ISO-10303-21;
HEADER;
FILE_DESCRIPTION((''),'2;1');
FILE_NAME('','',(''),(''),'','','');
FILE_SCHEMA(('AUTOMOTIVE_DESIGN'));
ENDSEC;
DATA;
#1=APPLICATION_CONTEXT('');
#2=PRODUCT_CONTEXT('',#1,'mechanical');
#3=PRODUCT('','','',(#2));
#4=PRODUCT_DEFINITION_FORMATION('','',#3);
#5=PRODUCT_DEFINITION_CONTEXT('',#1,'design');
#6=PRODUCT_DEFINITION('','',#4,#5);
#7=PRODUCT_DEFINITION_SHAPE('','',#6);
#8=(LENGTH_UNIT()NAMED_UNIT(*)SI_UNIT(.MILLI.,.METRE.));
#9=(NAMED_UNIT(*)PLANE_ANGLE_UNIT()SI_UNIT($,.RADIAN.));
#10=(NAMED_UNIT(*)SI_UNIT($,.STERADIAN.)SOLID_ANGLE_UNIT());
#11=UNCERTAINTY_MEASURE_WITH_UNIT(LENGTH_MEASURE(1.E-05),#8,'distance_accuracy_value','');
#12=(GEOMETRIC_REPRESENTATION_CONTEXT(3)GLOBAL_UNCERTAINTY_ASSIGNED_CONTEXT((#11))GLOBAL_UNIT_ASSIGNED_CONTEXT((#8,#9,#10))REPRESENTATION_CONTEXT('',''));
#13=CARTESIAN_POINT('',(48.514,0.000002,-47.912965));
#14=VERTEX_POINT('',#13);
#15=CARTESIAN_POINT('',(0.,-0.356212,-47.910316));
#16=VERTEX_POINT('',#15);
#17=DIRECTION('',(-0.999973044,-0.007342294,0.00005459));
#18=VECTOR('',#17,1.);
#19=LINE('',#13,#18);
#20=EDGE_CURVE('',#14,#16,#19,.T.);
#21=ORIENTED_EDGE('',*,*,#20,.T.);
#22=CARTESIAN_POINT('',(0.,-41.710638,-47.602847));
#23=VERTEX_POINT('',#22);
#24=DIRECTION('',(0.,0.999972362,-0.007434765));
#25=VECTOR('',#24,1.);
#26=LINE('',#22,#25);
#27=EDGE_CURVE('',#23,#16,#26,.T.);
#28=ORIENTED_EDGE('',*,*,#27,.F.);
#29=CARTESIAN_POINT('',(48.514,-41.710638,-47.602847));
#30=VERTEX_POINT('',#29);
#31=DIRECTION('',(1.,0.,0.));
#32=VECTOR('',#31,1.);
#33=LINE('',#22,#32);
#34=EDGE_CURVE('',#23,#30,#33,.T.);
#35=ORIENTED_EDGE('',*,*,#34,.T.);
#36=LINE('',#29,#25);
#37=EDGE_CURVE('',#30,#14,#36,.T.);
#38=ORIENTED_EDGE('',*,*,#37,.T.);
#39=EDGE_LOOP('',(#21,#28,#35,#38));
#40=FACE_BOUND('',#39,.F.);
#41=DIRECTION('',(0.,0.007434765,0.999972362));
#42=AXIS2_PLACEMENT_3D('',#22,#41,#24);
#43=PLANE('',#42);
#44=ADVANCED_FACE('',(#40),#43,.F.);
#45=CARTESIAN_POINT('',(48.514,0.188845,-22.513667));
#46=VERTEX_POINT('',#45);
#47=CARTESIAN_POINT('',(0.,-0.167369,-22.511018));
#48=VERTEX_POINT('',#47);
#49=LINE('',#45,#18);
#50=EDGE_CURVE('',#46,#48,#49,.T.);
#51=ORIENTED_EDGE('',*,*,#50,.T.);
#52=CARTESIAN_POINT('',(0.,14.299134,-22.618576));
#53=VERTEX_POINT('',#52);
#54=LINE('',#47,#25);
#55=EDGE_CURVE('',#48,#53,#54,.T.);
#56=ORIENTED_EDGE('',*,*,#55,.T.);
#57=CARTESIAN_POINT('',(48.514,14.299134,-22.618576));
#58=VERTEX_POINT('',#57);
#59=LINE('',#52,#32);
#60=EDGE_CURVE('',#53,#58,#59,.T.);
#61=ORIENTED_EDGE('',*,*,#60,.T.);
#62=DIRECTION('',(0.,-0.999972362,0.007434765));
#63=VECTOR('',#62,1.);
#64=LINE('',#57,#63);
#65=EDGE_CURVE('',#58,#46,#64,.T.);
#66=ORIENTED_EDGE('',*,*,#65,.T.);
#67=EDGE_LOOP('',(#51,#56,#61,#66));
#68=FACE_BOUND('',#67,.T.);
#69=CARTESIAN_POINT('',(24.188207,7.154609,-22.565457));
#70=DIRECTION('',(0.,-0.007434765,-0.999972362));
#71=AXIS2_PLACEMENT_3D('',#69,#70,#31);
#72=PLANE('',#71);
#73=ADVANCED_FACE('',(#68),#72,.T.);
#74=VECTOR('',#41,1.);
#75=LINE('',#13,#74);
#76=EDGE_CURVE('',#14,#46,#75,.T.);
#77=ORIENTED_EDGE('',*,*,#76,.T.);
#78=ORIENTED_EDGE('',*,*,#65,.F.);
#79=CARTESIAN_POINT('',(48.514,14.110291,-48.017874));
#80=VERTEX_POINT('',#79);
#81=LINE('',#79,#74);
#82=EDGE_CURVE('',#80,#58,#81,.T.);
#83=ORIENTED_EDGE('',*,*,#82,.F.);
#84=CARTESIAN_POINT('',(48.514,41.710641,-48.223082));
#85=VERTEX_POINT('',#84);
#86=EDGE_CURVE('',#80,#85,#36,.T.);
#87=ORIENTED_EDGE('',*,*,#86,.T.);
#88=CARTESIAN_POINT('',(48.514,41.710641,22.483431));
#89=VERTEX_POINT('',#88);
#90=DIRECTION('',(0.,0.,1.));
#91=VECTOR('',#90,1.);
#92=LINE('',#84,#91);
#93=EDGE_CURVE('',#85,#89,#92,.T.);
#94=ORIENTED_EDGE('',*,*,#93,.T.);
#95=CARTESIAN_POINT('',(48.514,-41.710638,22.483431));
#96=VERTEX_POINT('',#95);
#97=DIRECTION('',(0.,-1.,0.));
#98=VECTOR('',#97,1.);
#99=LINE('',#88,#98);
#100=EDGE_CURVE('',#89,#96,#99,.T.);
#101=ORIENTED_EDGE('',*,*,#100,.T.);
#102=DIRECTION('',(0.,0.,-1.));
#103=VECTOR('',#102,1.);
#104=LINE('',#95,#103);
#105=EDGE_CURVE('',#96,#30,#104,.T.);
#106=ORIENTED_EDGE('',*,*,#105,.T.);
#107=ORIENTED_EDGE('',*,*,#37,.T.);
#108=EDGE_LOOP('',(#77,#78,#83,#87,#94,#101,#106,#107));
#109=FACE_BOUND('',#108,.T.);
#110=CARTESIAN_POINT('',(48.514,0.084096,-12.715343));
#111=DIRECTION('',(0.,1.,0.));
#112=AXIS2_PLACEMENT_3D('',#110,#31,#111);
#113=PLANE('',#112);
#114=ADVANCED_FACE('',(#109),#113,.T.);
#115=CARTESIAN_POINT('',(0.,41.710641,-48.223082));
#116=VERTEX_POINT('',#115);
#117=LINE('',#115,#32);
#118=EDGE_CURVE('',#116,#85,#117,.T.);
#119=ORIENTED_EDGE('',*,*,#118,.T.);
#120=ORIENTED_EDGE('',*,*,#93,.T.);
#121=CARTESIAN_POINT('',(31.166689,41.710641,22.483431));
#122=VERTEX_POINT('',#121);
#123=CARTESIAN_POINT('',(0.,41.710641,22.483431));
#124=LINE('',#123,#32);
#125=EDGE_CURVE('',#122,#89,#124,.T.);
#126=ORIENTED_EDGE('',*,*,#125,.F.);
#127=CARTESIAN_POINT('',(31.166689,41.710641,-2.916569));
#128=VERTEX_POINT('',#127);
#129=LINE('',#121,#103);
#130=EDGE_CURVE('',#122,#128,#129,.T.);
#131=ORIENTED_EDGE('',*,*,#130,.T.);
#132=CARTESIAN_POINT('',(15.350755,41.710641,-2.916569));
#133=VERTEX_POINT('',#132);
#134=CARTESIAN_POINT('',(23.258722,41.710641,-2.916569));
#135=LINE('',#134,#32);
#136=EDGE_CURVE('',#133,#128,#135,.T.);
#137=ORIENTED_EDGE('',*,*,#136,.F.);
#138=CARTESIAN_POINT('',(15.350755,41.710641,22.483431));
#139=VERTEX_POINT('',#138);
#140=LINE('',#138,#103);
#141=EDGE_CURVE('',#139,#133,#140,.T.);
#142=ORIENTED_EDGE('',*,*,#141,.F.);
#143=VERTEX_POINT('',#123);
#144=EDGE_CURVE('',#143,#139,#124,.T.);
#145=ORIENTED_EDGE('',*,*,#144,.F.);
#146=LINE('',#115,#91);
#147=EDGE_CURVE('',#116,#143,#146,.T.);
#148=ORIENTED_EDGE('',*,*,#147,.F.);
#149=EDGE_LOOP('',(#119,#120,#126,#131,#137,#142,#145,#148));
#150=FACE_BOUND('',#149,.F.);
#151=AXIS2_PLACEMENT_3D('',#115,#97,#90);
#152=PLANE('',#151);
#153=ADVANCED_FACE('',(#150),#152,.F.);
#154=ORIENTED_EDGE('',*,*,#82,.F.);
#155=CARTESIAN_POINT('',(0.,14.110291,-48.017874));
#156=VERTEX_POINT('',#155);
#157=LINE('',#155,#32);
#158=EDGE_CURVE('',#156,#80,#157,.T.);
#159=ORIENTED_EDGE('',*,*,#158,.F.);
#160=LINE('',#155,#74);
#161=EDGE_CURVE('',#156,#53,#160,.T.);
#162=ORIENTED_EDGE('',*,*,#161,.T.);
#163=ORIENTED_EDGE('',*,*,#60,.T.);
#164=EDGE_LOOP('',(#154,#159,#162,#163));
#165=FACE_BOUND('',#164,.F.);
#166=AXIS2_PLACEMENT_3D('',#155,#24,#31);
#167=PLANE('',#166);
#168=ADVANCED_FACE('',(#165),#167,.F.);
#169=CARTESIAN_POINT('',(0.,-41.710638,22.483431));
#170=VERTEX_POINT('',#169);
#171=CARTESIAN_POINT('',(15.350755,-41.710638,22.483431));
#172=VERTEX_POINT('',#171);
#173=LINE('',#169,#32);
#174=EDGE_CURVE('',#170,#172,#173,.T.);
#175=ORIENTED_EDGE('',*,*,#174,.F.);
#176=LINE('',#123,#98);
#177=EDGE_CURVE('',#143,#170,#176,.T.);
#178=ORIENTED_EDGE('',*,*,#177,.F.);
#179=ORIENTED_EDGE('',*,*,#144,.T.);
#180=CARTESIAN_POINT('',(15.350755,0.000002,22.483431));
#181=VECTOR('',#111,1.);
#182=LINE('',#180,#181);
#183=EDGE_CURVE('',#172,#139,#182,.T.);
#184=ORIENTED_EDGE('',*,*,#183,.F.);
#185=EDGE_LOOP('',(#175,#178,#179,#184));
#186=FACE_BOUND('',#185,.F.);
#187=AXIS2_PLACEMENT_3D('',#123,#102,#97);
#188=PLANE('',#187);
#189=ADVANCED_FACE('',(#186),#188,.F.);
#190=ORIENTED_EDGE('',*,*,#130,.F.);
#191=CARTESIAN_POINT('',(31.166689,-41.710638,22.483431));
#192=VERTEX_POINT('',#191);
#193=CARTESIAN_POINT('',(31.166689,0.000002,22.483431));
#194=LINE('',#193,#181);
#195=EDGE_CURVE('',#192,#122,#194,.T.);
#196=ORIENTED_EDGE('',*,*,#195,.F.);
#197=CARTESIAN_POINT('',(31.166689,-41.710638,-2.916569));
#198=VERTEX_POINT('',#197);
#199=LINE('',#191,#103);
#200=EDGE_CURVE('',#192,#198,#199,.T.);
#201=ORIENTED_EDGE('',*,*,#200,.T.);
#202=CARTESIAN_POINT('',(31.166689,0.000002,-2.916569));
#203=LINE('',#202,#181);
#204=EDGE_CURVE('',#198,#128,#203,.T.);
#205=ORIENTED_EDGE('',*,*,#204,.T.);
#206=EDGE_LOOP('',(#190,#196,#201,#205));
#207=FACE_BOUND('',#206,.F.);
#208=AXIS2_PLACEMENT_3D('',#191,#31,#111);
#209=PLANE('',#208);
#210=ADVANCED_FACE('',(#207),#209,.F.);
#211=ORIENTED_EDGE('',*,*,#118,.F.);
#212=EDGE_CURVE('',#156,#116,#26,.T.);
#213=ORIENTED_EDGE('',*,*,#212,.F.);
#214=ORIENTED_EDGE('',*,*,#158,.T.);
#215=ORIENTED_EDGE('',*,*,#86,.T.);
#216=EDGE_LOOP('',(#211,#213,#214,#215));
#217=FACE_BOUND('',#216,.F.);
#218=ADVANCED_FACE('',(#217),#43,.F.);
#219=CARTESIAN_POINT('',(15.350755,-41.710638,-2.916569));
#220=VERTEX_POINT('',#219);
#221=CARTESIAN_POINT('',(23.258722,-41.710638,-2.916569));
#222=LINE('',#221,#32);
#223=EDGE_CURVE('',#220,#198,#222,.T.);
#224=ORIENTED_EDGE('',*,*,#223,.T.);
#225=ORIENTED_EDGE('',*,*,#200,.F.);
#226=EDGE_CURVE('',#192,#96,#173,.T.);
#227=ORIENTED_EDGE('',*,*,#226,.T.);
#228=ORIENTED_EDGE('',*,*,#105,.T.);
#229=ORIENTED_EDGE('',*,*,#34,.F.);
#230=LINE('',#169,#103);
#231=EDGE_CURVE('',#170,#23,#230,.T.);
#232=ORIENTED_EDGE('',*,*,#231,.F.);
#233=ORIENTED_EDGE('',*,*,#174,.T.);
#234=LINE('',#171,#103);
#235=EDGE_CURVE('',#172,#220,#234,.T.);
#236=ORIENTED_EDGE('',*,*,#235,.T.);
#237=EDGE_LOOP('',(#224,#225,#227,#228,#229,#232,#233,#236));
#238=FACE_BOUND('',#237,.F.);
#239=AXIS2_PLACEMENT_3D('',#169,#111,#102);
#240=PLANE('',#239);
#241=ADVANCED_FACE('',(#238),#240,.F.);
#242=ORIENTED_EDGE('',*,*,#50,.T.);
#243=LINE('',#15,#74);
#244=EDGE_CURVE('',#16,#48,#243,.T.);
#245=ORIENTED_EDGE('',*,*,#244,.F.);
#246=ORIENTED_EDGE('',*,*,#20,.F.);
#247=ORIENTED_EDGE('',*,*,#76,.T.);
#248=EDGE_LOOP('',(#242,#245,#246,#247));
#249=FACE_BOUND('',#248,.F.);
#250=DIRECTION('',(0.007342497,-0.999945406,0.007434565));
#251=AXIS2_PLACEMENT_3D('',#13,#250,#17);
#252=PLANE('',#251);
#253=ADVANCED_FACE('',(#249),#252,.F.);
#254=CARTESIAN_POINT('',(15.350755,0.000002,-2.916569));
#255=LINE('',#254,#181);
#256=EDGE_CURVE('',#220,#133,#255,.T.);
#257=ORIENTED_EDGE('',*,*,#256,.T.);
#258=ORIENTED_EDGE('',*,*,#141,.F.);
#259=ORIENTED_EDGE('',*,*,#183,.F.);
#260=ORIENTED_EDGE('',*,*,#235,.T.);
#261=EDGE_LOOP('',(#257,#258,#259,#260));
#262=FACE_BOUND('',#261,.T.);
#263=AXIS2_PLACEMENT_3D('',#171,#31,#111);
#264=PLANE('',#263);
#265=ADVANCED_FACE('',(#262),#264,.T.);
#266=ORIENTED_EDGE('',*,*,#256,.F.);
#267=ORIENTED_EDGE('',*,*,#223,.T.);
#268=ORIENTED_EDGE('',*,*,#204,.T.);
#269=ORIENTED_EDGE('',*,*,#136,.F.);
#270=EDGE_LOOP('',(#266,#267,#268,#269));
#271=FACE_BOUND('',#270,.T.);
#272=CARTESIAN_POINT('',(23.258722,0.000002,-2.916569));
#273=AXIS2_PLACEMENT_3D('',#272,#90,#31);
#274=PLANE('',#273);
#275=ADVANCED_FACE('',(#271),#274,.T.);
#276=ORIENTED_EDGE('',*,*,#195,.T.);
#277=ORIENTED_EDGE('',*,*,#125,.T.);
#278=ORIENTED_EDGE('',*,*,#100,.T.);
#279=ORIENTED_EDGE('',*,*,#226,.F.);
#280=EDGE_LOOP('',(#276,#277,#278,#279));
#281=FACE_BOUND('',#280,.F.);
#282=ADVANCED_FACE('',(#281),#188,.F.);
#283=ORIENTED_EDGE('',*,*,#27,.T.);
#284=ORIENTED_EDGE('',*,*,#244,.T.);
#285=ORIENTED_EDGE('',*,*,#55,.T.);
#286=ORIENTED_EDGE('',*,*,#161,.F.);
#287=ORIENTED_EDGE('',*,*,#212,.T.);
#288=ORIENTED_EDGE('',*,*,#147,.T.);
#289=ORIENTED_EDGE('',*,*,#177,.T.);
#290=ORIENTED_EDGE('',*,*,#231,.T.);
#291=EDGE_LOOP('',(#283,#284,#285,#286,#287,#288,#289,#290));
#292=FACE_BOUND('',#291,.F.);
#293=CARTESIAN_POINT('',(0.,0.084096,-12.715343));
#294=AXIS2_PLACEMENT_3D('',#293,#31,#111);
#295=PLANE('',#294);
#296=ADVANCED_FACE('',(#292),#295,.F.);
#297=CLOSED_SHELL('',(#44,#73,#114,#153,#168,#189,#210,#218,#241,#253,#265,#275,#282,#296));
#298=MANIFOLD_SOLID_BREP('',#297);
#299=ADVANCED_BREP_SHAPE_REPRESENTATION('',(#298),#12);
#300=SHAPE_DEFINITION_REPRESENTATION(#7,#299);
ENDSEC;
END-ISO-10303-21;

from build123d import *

# Parameters (mm, degrees)
F1_DEPTH = 48.514
F2_W     = 15.8159341663
F2_H     = 83.4212787449
F3_DEPTH = 25.4
F5_DEPTH = 25.4


with BuildPart() as f1:
    # F0 (on Right) → F1 (new body)
    with BuildSketch(Plane.YZ):
        Polygon((-41.7106375098, 22.4834308028), (-41.7106375098, -47.6028472185), (41.7106412351, -48.2230819762), (41.7106412351, 22.4834308028), align=None)
    extrude(amount=F1_DEPTH)

    # F2 (on face) → F3 (cut)
    with BuildSketch(Plane.XY.offset(22.4834308028)):
        with Locations((23.2587223873, 1.8626e-06)):
            Rectangle(F2_W, F2_H)
    extrude(amount=-F3_DEPTH, mode=Mode.SUBTRACT)

    # F4 (on face) → F5 (cut)
    with BuildSketch(Plane(origin=(0, -0.3562117937, -47.9103161593), x_dir=(1, 0, 0), z_dir=(0, -0.0074347651, -0.9999723618))):
        Polygon((48.514, -14.4669022411), (48.514, -0.3562235017), (0, 0), (0, -0.3562235017), (0, -14.4669022411), align=None)
    extrude(amount=-F5_DEPTH, mode=Mode.SUBTRACT)


solid = f1.part
